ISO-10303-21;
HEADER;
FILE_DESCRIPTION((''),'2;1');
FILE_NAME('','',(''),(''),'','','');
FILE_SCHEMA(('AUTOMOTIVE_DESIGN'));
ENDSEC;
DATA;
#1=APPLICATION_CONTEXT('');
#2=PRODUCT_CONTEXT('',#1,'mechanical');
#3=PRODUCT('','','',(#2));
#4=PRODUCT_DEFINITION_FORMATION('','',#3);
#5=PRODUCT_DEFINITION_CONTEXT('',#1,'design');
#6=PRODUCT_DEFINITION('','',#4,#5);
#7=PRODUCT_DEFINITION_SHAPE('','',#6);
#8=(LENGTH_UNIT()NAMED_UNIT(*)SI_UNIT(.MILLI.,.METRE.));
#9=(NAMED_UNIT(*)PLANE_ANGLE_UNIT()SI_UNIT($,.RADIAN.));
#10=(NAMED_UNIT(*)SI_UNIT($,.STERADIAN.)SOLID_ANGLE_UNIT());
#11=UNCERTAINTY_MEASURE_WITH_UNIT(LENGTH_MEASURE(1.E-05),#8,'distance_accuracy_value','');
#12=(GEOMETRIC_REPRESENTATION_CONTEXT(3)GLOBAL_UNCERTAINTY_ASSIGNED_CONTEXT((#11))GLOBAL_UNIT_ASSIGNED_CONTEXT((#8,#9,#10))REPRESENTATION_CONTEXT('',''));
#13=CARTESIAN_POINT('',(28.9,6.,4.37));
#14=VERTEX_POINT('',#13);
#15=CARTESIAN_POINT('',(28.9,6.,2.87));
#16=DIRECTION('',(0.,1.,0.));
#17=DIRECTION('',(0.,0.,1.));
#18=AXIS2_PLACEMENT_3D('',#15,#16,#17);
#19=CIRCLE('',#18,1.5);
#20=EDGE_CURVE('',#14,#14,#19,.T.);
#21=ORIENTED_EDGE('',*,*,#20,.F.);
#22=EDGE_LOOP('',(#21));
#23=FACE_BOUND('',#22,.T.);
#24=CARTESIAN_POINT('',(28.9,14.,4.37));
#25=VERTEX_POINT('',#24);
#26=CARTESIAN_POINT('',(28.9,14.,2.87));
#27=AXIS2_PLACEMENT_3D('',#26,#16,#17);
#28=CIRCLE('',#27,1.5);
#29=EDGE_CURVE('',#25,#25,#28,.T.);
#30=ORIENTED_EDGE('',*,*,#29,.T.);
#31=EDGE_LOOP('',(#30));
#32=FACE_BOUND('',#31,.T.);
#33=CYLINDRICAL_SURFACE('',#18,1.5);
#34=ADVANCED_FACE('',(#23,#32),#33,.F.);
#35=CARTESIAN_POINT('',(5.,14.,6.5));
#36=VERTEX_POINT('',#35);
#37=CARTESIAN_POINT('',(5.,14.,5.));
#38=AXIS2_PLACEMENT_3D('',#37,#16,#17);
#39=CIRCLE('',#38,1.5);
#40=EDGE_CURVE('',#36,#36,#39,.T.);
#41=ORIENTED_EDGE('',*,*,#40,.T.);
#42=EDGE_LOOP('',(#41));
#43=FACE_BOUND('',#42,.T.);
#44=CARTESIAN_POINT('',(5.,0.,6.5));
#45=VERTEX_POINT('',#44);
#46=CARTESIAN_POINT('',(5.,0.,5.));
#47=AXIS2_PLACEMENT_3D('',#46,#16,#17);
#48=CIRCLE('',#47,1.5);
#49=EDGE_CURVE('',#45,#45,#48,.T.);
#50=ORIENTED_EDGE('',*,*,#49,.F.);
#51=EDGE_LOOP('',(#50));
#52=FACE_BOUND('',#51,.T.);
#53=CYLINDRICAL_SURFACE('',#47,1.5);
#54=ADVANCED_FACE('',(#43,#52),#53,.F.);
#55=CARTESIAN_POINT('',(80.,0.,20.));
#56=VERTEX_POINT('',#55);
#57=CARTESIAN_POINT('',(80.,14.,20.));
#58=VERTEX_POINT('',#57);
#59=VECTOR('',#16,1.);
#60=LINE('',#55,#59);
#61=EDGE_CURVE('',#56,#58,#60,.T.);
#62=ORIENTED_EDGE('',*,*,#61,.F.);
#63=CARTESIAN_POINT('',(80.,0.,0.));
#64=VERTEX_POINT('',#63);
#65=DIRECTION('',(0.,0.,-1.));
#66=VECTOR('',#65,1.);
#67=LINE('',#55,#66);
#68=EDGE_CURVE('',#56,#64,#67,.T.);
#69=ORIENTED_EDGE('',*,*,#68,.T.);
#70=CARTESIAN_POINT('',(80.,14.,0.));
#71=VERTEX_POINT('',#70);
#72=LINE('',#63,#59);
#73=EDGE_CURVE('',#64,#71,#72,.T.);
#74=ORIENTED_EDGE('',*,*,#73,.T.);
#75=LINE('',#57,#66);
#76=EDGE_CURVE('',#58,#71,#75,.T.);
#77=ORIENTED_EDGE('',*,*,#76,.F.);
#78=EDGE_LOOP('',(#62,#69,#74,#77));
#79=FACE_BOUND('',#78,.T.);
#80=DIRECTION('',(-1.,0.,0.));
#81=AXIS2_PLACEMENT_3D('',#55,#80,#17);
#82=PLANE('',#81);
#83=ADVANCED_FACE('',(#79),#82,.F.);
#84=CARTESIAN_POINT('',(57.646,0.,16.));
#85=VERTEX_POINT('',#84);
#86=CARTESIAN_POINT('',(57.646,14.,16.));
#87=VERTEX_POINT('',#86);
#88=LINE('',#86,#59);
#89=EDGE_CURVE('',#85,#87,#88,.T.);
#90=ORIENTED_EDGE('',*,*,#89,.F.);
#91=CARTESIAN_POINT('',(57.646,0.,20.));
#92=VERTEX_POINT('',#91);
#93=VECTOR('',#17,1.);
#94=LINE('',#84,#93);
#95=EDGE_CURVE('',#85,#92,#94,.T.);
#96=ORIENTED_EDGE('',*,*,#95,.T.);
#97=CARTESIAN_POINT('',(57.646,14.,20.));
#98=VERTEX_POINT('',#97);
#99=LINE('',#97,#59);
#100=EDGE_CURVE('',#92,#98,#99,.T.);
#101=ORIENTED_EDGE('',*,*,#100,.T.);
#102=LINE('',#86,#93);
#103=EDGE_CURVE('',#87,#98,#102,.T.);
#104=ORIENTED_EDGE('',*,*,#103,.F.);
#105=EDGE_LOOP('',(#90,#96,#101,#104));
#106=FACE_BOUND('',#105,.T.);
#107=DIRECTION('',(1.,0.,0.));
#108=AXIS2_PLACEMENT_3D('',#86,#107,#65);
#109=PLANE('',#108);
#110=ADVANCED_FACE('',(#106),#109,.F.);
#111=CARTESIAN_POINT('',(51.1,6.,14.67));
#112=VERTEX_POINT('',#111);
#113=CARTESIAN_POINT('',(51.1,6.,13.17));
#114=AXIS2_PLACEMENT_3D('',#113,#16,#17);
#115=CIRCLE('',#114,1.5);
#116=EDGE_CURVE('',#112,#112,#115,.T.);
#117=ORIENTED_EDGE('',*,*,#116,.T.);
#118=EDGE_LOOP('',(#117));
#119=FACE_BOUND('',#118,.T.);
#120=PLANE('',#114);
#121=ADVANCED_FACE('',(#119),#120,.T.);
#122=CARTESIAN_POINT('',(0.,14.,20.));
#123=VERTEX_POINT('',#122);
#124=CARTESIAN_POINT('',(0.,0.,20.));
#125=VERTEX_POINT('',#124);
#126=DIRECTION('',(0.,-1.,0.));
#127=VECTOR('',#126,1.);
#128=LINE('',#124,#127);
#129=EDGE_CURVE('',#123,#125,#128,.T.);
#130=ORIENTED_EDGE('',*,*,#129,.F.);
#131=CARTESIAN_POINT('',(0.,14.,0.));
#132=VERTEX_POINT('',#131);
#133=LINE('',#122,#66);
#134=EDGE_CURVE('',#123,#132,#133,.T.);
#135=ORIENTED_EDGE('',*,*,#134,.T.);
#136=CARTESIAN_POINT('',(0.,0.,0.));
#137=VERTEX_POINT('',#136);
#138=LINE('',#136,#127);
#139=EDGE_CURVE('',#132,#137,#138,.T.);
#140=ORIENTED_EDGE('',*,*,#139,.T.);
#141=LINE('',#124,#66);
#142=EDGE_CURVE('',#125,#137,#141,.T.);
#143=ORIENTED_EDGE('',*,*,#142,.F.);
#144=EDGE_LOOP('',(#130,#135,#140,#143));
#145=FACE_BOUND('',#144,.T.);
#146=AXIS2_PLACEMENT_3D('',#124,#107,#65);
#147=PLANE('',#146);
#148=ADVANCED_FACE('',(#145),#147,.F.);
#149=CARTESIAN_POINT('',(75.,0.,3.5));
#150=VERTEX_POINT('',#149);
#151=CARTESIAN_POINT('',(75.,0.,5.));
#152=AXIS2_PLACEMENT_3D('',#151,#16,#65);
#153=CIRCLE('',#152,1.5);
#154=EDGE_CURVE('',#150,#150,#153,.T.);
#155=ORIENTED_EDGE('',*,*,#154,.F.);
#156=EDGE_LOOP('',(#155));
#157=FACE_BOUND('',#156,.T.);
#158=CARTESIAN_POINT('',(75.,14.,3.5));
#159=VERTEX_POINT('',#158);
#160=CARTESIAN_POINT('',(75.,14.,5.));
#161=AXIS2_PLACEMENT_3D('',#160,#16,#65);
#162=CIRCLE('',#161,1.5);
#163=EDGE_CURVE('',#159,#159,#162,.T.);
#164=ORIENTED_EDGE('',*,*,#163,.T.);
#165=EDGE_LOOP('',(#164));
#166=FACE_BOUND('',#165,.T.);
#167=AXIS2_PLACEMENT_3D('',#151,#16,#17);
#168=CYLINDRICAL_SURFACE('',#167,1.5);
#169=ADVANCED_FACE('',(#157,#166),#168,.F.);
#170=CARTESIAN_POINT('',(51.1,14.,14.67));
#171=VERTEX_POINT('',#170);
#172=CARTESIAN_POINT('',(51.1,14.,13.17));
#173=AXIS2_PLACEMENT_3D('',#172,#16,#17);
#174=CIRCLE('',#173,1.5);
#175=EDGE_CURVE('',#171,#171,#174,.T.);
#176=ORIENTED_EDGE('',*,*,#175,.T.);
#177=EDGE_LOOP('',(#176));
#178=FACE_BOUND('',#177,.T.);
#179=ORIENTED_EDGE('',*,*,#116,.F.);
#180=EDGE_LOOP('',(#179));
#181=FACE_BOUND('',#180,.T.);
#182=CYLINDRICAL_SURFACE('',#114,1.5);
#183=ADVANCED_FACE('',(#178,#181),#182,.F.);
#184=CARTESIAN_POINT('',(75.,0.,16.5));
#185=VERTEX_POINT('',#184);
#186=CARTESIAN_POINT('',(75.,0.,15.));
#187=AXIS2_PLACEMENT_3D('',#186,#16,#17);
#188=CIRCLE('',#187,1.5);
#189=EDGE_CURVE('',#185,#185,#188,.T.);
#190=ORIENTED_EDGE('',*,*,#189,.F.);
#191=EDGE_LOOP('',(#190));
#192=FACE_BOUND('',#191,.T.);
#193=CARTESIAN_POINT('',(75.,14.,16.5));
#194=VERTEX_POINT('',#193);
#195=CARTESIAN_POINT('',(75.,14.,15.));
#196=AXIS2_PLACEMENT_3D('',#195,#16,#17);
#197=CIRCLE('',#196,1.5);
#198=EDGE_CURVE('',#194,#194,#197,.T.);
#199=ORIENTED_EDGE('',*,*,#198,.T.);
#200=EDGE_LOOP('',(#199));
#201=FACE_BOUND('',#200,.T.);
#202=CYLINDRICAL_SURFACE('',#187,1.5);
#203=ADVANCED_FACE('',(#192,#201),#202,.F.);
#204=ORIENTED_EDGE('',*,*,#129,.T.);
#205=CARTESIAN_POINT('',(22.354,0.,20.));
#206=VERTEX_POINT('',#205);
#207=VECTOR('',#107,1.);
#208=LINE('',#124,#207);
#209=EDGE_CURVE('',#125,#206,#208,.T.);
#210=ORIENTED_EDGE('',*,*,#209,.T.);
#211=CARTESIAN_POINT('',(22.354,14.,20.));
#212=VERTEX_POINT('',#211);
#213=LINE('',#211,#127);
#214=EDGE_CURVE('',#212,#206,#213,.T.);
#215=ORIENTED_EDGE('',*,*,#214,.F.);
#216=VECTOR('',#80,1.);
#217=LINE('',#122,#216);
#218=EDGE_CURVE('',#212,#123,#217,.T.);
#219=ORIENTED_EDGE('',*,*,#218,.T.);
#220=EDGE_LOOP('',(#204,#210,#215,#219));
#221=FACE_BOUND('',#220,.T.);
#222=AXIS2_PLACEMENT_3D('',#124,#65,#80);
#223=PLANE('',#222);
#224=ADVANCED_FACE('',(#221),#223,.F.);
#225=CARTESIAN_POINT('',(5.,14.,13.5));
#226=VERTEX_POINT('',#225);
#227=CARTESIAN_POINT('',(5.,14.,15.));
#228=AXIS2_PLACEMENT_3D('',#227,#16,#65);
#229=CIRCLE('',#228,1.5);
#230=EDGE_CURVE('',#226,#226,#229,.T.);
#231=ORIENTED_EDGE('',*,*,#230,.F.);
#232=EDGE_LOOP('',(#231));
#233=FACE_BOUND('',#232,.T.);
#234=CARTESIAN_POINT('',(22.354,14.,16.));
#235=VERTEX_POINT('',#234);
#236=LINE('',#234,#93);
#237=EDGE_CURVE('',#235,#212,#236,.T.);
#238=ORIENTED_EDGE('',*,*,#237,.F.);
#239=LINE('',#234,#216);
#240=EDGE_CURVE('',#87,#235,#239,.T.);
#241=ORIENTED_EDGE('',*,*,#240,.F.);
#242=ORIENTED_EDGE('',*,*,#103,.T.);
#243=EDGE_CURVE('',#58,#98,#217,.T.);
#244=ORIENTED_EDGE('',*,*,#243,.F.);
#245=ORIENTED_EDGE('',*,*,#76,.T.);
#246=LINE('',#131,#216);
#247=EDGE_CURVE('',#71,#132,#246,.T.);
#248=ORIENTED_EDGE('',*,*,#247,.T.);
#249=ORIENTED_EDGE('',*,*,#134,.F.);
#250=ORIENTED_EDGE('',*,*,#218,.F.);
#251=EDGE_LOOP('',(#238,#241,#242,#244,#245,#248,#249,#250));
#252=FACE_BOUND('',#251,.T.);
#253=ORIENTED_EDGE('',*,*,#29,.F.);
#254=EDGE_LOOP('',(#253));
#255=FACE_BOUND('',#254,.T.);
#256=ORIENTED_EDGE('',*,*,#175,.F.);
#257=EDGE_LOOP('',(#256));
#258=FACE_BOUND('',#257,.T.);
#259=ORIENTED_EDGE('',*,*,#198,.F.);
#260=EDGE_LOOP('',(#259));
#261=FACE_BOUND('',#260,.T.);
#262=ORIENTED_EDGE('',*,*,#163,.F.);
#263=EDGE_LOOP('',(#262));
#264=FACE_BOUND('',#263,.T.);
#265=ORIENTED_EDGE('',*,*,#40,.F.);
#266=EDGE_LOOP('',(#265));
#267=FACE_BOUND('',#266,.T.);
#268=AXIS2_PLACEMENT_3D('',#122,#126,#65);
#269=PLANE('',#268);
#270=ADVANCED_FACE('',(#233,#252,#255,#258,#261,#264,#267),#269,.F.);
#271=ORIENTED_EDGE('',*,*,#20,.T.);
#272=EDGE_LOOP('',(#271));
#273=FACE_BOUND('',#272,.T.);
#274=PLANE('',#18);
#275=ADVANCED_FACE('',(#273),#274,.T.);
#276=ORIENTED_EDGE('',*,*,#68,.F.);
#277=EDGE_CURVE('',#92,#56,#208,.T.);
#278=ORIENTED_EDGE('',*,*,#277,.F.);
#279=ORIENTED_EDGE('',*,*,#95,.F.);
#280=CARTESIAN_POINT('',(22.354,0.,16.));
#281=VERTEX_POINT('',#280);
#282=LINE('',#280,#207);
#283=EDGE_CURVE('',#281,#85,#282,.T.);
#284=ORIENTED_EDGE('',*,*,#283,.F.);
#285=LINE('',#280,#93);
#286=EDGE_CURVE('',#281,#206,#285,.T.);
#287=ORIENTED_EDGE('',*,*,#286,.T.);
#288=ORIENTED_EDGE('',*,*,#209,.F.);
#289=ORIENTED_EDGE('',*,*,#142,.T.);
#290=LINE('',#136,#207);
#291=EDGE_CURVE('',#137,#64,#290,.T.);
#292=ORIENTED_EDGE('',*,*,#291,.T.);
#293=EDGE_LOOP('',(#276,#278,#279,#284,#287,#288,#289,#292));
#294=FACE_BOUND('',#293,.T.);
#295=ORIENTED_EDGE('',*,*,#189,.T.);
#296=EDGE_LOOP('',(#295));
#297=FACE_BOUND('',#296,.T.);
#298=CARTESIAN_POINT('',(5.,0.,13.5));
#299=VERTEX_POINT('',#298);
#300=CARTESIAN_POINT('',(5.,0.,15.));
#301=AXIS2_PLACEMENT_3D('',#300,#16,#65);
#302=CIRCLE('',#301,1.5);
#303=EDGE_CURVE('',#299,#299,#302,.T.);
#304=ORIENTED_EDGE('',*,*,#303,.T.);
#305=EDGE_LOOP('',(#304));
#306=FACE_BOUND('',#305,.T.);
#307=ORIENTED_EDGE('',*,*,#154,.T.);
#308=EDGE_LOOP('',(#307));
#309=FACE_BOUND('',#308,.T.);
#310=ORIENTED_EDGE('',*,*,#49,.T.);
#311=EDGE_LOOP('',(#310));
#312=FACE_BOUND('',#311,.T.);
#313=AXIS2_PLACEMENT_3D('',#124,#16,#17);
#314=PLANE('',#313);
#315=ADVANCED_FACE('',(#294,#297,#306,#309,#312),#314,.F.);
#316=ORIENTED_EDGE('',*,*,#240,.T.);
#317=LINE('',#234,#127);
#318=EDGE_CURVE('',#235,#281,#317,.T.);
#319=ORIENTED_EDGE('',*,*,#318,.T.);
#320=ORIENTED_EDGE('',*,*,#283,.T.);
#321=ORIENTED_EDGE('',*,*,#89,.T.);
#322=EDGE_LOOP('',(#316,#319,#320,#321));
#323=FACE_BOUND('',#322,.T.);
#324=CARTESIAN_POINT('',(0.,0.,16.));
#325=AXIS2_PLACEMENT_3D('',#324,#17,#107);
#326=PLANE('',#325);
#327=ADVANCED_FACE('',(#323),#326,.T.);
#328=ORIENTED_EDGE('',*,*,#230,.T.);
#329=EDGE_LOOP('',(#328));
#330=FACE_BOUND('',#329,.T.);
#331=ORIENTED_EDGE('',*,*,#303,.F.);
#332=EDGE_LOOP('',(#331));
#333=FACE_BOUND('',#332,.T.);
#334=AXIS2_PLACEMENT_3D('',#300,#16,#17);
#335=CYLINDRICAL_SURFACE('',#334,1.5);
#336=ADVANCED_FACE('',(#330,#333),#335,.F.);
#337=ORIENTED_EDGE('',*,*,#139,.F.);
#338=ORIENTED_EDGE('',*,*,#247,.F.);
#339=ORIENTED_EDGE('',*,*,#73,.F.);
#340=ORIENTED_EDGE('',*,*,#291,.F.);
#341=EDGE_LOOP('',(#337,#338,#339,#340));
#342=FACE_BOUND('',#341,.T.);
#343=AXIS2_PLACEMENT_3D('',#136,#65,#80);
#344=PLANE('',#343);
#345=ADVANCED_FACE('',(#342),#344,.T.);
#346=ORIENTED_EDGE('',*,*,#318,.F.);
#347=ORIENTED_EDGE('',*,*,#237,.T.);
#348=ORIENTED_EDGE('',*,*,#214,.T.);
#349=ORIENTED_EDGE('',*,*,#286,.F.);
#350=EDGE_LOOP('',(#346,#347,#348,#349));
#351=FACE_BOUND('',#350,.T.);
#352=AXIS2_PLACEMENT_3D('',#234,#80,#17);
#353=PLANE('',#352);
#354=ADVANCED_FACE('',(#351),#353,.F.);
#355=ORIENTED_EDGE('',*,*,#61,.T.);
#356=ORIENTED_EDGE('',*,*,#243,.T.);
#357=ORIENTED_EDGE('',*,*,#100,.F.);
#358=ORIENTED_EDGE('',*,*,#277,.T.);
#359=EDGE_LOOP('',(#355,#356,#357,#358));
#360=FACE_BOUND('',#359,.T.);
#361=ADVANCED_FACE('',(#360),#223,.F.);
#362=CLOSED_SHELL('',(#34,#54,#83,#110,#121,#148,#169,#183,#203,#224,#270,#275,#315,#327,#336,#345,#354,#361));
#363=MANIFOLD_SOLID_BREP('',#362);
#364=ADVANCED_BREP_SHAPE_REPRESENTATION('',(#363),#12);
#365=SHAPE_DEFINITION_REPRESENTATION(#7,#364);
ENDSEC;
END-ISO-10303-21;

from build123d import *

# Parameters (mm, degrees)
SKETCH1_W           = 80
SKETCH1_H           = 14
BOSS_EXTRUDE1_DEPTH = 20
SKETCH2_W           = 35.292
SKETCH2_H           = 14
CUT_EXTRUDE1_DEPTH  = 4
SKETCH3_R           = 1.5
CUT_EXTRUDE2_DEPTH  = 14
SKETCH4_R           = 1.5
CUT_EXTRUDE3_DEPTH  = 8


with BuildPart() as part:
    # Sketch1 → Boss-Extrude1 (new body)
    with BuildSketch(Plane.XY):
        with Locations((40, 7)):
            Rectangle(SKETCH1_W, SKETCH1_H)
    extrude(amount=BOSS_EXTRUDE1_DEPTH)

    # Sketch2 → Cut-Extrude1 (cut)
    with BuildSketch(Plane.XY.offset(20)):
        with Locations((40, 7)):
            Rectangle(SKETCH2_W, SKETCH2_H)
    extrude(amount=-CUT_EXTRUDE1_DEPTH, mode=Mode.SUBTRACT)

    # Sketch3 → Cut-Extrude2 (cut)
    with BuildSketch(Plane(origin=(0, 14, 0), x_dir=(1, 0, 0), z_dir=(0, 1, 0))):
        with Locations((5, -5)):
            Circle(SKETCH3_R)
        with Locations((5, -15)):
            Circle(SKETCH3_R)
        with Locations((75, -15)):
            Circle(SKETCH3_R)
        with Locations((75, -5)):
            Circle(SKETCH3_R)
    extrude(amount=-CUT_EXTRUDE2_DEPTH, mode=Mode.SUBTRACT)

    # Sketch4 → Cut-Extrude3 (cut)
    with BuildSketch(Plane(origin=(0, 14, 0), x_dir=(1, 0, 0), z_dir=(0, 1, 0))):
        with Locations((28.9, -2.87)):
            Circle(SKETCH4_R)
        with Locations((51.1, -13.17)):
            Circle(SKETCH4_R)
    extrude(amount=-CUT_EXTRUDE3_DEPTH, mode=Mode.SUBTRACT)


solid = part.part
